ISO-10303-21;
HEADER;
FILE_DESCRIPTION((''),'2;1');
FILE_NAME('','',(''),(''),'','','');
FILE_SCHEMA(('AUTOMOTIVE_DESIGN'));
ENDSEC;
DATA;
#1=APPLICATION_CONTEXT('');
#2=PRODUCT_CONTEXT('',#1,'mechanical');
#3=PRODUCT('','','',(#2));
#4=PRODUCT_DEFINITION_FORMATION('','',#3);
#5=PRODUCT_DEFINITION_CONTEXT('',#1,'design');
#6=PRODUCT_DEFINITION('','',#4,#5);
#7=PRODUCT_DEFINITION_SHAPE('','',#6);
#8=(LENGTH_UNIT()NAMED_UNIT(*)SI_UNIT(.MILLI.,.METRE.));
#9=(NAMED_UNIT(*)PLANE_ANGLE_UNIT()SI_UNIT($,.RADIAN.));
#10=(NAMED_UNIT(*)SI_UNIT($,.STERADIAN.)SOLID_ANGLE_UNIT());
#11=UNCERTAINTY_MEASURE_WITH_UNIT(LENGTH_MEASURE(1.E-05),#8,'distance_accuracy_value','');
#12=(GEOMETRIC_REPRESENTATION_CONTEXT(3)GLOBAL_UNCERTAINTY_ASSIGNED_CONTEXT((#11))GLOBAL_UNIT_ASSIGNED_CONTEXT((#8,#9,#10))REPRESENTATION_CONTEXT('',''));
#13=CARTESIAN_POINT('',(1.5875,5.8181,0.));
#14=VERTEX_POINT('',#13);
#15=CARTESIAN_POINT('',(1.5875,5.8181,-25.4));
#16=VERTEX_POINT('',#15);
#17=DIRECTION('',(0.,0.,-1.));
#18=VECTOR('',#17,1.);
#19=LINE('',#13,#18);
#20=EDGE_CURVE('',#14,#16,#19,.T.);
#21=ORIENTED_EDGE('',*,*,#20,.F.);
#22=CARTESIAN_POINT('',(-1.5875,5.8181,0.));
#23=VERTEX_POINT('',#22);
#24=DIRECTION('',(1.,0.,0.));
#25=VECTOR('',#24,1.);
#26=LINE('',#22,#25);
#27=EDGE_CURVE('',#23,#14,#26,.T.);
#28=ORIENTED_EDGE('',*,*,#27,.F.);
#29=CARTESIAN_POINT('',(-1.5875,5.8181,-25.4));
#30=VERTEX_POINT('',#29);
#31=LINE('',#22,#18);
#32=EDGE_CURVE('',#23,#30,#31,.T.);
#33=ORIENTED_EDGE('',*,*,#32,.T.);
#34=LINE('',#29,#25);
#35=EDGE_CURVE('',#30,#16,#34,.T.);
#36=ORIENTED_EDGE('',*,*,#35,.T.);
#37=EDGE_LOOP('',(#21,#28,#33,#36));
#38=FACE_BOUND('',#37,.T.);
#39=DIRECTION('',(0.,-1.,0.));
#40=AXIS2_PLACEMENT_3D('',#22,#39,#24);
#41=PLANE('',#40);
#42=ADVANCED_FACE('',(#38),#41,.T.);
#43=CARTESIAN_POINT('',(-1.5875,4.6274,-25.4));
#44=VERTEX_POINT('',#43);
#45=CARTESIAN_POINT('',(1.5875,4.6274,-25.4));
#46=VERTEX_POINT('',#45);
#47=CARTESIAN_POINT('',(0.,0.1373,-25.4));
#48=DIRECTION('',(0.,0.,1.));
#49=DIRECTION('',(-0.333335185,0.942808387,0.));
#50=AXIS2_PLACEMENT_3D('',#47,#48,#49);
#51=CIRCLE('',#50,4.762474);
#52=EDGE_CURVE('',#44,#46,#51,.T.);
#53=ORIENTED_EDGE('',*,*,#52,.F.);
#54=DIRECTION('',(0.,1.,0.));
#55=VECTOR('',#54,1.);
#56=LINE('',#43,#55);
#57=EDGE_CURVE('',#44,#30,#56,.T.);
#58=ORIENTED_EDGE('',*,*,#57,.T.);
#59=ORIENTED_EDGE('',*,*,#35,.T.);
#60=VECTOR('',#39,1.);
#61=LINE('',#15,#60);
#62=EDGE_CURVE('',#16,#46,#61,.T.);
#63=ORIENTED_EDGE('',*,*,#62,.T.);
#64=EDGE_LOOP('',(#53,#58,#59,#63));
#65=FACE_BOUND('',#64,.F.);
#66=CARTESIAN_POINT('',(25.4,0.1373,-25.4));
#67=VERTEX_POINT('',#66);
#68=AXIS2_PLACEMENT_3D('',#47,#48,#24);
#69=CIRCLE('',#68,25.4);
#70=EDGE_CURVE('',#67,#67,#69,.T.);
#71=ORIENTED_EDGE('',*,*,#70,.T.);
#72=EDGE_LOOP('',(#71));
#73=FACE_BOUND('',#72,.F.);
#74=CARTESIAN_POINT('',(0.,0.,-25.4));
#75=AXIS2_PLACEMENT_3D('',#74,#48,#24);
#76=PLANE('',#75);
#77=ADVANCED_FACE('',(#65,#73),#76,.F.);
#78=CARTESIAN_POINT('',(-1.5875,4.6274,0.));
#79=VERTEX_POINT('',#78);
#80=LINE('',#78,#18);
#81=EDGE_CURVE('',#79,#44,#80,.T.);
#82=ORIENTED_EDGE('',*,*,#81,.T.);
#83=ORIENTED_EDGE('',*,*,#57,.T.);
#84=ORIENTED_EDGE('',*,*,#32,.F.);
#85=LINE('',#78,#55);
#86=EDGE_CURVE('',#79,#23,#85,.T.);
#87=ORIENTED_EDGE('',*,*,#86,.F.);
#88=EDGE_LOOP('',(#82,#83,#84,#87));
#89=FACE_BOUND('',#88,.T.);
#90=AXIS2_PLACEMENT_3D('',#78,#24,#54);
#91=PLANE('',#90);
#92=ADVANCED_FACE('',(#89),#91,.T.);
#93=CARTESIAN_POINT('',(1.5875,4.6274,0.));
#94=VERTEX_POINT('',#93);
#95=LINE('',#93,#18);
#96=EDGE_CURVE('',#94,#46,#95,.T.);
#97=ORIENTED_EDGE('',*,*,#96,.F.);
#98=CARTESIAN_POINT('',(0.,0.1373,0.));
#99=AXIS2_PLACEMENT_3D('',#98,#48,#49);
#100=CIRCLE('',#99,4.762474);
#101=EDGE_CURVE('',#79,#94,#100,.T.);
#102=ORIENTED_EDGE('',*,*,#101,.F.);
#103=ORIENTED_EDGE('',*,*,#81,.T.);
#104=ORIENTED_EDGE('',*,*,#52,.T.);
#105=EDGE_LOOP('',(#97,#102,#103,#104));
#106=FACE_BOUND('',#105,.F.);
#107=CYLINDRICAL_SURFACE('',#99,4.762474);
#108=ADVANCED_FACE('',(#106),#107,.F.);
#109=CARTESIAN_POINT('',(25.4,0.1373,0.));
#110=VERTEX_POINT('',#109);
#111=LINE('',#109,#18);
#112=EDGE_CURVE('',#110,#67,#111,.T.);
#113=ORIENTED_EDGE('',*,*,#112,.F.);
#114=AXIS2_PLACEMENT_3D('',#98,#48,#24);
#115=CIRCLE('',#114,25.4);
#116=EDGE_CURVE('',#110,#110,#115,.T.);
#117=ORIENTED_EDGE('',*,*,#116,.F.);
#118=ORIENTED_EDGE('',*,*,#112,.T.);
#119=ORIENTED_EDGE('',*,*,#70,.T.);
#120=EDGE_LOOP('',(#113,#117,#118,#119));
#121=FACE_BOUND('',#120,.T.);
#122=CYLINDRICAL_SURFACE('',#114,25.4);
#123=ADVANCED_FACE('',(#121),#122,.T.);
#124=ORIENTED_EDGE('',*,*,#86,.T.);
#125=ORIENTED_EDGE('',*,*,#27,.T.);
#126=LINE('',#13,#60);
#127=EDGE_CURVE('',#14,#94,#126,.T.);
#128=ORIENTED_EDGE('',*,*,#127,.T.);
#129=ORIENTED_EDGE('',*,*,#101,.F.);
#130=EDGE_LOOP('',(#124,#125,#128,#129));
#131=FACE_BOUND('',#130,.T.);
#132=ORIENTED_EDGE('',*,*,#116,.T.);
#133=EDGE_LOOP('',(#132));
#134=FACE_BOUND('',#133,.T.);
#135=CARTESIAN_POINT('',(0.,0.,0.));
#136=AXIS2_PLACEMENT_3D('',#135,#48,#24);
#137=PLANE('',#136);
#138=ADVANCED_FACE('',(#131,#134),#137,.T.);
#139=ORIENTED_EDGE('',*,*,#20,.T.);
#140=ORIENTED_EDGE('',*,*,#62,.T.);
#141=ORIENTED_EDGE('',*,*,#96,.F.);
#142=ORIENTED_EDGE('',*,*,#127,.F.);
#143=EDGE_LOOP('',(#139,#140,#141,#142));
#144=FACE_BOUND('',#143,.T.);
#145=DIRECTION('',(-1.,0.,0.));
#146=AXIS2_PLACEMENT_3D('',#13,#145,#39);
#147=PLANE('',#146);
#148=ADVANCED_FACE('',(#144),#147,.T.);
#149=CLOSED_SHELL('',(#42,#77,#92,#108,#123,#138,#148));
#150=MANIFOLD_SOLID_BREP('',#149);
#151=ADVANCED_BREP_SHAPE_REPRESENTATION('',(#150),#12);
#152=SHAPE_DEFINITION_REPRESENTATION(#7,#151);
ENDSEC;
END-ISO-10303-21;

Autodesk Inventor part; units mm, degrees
ref_plane "YZ Plane" through (0, 0, 0) normal (1, 0, 0) x (0, 1, 0)
ref_plane "XZ Plane" through (0, 0, 0) normal (0, 1, 0) x (-1, 0, 0)
ref_plane "XY Plane" through (0, 0, 0) normal (0, 0, 1) x (1, 0, 0)
sketch "Sketch1" plane through (0, 0, 0) normal (0, 0, 1) x (1, 0, 0)
  line L0 (-1.5875, 3.4368) -> (-1.5875, 4.6274) projected
  arc A0 (-1.5875, 4.6274) -> (1.5875, 4.6274) centre (0, 0.1373) ccw projected
  line L1 (1.5875, 4.6274) -> (1.5875, 3.4368) projected
  line L2 (1.5875, 3.4368) -> (-1.5875, 3.4368) projected
  arc A1 (-1.5875, 4.6274) -> (1.5875, 4.6274) centre (0, 0.1373) ccw
  line L3 (-1.5875, 4.6274) -> (-1.5875, 3.4368)
  line L4 (-1.5875, 3.4368) -> (1.5875, 3.4368)
  line L5 (1.5875, 3.4368) -> (1.5875, 4.6274)
  line L6 (-1.5875, 4.6274) -> (-1.5875, 5.8181)
  line L7 (-1.5875, 5.8181) -> (1.5875, 5.8181)
  line L8 (1.5875, 5.8181) -> (1.5875, 4.6274)
  circle A2 centre (0, 0.1373) radius 25.4
  point P0 (0, 0)
  dimension "d0" = 50.8
extrude "Extrusion1" add sketch "Sketch1" against normal blind 25.4
properties part number "raHandController"
